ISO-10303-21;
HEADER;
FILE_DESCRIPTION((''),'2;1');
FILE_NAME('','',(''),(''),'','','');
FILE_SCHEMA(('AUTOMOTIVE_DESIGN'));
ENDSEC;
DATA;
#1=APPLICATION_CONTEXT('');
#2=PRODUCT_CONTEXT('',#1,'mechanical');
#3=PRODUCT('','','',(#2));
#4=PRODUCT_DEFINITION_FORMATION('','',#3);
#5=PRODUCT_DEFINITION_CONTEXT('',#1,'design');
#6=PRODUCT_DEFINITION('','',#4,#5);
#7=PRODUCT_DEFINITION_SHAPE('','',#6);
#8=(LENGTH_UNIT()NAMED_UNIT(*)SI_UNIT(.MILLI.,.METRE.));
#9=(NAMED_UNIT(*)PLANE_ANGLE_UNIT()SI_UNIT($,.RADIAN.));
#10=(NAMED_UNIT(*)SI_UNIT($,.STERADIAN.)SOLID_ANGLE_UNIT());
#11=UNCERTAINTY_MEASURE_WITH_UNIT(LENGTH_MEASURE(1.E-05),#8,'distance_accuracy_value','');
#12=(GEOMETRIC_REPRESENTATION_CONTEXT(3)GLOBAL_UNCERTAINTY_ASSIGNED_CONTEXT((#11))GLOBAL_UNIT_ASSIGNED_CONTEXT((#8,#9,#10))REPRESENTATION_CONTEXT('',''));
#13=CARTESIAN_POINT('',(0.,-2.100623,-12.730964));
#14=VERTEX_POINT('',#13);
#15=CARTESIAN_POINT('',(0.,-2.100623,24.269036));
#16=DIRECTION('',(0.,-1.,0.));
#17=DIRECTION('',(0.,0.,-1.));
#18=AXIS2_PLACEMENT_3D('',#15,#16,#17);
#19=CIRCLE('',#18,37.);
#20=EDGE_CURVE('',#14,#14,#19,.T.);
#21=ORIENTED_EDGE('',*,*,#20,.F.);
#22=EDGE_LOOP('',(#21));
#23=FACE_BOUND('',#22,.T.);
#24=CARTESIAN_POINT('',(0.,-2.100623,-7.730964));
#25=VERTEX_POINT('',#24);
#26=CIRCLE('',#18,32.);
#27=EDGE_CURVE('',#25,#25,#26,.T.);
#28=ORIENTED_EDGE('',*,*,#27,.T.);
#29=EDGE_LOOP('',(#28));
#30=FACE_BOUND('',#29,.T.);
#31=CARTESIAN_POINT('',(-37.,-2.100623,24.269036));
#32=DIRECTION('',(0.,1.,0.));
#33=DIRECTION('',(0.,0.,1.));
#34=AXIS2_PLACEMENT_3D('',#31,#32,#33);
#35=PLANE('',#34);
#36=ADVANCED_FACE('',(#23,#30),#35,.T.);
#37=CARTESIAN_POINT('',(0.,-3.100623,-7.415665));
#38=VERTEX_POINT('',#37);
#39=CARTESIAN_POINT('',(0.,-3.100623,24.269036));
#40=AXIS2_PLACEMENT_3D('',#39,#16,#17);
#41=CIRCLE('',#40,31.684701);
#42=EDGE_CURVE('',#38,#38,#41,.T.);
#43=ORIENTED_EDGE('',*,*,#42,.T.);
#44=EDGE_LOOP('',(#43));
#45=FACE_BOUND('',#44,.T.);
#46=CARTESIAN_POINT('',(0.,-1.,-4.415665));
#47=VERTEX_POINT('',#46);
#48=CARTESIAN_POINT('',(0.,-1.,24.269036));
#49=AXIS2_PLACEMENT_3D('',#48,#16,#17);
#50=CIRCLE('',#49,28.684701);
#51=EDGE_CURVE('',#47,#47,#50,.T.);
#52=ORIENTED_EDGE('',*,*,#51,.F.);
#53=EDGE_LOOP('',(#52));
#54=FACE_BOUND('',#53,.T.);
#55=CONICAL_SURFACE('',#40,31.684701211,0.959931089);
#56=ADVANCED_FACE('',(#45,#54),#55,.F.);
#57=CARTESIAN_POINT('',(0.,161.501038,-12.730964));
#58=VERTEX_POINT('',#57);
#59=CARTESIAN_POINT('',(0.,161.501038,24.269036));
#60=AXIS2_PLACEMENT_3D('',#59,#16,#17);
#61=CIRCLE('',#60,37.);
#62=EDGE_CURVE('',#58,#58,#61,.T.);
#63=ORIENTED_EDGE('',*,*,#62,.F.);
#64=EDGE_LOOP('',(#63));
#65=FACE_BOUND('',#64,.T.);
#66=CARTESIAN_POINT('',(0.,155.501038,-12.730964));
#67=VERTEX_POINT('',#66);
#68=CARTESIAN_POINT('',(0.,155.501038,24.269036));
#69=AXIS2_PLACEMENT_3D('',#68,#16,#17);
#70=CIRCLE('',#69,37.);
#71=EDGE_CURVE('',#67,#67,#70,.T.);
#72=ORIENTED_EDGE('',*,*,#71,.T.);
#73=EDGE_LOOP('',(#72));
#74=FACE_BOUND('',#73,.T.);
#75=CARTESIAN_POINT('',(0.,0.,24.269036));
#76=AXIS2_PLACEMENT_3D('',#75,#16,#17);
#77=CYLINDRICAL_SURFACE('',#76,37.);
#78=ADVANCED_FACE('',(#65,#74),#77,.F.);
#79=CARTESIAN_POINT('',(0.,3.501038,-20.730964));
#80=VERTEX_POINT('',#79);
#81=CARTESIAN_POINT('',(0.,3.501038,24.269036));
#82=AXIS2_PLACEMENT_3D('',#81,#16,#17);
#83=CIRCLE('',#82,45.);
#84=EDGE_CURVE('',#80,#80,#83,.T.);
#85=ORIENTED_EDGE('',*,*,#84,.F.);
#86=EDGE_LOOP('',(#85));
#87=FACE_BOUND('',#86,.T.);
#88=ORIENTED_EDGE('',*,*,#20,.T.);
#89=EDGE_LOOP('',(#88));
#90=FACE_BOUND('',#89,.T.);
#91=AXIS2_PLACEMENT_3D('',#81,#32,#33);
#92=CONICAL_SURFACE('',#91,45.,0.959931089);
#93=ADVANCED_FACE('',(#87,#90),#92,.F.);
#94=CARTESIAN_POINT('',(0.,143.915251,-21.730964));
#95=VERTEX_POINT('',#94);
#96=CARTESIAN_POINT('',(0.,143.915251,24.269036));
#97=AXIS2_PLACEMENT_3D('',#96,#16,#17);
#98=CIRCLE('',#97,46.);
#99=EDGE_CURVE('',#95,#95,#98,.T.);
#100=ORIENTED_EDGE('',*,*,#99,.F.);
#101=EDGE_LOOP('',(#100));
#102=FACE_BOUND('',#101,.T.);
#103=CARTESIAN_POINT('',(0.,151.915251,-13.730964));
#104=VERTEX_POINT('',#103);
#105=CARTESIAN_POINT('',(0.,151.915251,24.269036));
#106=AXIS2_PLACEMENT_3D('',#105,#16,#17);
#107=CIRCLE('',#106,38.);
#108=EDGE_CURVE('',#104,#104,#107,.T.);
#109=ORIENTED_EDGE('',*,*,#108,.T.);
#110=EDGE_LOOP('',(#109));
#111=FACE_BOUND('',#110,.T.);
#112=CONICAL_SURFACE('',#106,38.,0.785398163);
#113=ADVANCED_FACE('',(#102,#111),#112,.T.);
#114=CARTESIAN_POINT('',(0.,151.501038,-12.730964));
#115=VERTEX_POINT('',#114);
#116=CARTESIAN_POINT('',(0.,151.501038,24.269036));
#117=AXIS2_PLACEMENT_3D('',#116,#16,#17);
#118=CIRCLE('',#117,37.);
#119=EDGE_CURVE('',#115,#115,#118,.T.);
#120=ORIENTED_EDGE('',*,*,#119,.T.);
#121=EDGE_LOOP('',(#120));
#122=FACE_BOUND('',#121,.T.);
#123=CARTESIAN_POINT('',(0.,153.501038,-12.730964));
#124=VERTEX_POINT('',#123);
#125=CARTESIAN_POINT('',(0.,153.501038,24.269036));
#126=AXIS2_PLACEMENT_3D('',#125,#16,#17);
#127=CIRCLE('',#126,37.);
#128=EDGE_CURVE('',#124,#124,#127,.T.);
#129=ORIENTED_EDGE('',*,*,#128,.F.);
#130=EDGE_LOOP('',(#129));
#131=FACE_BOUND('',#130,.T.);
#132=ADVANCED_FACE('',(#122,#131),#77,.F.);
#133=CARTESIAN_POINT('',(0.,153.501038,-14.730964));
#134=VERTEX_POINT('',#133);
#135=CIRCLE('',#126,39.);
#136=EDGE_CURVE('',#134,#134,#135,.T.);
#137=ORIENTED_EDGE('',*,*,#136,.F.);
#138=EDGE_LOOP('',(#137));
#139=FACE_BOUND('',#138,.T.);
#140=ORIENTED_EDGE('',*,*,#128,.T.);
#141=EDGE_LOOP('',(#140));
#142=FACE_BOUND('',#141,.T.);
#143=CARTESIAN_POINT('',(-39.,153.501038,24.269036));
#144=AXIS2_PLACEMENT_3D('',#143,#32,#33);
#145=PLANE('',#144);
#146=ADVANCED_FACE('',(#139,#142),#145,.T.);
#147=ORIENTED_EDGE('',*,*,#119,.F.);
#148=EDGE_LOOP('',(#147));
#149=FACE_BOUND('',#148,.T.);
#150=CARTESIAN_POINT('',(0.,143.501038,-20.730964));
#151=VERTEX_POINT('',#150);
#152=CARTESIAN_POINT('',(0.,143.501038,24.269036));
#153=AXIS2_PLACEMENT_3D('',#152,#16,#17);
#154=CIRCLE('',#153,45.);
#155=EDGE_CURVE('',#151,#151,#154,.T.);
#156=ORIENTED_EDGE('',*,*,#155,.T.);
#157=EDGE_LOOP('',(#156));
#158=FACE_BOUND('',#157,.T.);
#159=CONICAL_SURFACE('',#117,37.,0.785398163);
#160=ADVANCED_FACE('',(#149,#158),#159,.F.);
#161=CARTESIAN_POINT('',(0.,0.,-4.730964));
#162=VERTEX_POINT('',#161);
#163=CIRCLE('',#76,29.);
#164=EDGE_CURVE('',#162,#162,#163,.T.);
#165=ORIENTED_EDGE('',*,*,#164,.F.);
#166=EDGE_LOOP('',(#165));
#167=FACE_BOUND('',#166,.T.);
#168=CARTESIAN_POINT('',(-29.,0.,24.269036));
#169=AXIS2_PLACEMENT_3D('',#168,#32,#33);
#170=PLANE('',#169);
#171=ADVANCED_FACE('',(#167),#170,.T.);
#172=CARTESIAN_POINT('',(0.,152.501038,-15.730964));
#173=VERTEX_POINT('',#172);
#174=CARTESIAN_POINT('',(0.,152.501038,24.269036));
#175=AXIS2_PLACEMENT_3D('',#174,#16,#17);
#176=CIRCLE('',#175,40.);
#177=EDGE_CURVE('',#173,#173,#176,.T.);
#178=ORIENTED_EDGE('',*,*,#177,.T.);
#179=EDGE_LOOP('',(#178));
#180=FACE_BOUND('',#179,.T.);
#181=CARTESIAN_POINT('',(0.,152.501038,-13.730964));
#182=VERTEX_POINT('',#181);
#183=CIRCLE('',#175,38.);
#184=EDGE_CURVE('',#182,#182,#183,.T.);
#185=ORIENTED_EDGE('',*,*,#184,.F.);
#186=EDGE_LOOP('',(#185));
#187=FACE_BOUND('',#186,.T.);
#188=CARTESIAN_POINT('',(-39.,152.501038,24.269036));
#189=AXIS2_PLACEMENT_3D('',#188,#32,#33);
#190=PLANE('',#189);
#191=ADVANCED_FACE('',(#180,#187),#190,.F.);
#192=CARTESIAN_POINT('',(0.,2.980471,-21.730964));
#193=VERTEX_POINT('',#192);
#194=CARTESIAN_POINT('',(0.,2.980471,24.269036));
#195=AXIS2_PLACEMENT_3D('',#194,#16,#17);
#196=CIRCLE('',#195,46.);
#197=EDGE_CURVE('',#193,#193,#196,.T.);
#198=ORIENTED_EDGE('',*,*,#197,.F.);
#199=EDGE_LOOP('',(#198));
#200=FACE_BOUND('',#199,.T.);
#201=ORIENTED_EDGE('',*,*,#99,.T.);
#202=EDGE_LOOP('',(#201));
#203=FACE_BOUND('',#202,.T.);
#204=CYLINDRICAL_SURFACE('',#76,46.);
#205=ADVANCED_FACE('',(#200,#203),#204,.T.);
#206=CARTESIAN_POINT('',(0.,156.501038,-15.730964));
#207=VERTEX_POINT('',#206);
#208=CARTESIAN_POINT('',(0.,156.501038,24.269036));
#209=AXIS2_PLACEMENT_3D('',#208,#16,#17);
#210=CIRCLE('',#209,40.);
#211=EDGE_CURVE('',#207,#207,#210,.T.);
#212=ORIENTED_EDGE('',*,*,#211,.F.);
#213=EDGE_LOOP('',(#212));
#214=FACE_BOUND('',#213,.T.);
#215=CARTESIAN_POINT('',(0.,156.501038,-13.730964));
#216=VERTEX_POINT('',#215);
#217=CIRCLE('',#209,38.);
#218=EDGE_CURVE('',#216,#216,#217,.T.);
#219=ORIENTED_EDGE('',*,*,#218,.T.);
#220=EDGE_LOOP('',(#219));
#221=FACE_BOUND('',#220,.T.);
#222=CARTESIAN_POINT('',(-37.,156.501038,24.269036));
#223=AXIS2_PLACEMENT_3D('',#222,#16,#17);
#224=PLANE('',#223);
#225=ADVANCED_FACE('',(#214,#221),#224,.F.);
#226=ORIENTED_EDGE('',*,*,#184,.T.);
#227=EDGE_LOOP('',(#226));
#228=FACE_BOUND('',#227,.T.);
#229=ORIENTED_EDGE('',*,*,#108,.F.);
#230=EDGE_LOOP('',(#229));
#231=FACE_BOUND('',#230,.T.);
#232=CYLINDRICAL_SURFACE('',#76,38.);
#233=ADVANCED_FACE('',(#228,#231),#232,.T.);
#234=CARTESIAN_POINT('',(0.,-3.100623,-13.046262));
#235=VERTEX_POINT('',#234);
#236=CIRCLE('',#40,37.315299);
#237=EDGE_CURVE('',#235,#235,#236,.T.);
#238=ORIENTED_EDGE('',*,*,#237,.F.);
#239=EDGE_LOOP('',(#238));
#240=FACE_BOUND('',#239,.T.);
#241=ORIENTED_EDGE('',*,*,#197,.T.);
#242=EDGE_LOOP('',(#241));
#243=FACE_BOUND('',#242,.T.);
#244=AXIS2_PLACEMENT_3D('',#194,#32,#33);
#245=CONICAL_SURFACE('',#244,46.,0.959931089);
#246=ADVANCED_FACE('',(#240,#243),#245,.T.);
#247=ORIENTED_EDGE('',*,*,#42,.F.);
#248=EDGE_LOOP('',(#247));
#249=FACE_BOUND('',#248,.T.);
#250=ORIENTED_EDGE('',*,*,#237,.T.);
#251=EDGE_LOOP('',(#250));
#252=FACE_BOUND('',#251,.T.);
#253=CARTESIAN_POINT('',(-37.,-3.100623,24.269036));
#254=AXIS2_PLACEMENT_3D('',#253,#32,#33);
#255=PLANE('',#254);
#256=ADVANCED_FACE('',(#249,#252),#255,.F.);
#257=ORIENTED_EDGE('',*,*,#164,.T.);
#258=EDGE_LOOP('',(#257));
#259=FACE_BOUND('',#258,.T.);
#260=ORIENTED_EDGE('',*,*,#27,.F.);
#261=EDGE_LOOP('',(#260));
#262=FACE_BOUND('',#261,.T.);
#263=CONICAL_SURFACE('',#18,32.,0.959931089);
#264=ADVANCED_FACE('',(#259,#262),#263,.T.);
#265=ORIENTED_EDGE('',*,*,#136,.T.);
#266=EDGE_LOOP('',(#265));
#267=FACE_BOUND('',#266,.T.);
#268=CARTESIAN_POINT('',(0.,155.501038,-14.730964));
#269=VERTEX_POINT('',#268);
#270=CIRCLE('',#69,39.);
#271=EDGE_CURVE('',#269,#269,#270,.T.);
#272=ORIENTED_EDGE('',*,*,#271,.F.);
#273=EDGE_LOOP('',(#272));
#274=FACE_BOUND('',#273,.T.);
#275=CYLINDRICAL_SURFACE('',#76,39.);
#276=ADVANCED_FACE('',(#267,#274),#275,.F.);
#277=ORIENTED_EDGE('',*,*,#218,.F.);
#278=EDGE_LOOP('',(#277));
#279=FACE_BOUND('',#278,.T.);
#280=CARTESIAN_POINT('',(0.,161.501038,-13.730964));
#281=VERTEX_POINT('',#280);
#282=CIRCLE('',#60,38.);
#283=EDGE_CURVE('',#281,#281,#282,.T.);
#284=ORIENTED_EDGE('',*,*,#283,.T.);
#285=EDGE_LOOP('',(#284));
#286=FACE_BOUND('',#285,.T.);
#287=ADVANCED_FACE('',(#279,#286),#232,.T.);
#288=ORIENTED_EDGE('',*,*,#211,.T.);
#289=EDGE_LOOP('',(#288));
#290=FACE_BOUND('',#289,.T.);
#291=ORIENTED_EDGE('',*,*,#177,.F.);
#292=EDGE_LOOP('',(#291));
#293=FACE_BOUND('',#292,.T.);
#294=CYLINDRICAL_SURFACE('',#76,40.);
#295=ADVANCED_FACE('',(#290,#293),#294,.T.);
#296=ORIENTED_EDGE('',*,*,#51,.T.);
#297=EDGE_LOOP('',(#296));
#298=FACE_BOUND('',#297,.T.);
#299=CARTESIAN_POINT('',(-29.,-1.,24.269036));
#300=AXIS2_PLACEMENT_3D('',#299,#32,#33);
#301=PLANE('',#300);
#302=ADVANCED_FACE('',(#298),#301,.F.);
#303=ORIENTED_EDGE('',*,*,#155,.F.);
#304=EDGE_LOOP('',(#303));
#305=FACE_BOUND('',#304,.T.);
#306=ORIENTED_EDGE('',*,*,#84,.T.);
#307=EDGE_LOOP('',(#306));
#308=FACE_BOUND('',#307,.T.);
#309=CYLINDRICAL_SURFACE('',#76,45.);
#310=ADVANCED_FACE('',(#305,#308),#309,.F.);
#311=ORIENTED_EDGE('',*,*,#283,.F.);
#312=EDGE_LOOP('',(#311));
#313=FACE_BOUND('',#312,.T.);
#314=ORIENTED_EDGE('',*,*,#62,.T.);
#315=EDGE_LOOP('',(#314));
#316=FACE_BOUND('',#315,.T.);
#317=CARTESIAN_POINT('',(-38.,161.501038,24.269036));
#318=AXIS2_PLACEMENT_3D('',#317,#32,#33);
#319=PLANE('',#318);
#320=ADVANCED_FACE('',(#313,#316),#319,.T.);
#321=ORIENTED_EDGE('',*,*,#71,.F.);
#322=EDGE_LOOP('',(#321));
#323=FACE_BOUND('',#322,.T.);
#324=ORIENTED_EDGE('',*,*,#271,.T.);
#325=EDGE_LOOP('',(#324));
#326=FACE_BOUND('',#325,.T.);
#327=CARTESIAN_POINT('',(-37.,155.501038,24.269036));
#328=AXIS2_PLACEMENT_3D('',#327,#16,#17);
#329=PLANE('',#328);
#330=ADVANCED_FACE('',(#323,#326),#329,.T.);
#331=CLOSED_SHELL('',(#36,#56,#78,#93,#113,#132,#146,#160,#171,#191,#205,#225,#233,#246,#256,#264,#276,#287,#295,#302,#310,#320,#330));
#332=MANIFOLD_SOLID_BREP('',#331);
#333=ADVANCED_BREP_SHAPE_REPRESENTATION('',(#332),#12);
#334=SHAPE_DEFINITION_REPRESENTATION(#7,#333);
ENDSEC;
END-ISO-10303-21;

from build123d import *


with BuildPart() as part:
    # Sketch1 → Revolve-Thin1 (revolve)
    with BuildSketch(Plane(origin=(-3.343067137, 93.173104477, 24.269036423), x_dir=(1, 0, 0), z_dir=(0, 0, 1)), mode=Mode.PRIVATE) as revolve_thin1_sk:
        Polygon((-33.656932863, 68.327933214), (-33.656932863, 62.327933214), (-35.656932863, 62.327933214), (-35.656932863, 60.327933214), (-33.656932863, 60.327933214), (-33.656932863, 58.327933214), (-41.656932863, 50.327933214), (-41.656932863, -89.672066786), (-33.656932863, -95.273727092), (-28.656932863, -95.273727092), (-25.656932863, -93.173104477), (3.343067137, -93.173104477), (3.343067137, -94.173104477), (-25.341634074, -94.173104477), (-28.341634074, -96.273727092), (-33.972231651, -96.273727092), (-42.656932863, -90.192633837), (-42.656932863, 50.742146776), (-34.656932863, 58.742146776), (-34.656932863, 59.327933214), (-36.656932863, 59.327933214), (-36.656932863, 63.327933214), (-34.656932863, 63.327933214), (-34.656932863, 68.327933214), align=None)
    revolve(revolve_thin1_sk.sketch.rotate(Axis((0, 0, 24.269036423), (0, 1, 0)), 270), axis=Axis((0, 0, 24.269036423), (0, 1, 0)))


solid = part.part
